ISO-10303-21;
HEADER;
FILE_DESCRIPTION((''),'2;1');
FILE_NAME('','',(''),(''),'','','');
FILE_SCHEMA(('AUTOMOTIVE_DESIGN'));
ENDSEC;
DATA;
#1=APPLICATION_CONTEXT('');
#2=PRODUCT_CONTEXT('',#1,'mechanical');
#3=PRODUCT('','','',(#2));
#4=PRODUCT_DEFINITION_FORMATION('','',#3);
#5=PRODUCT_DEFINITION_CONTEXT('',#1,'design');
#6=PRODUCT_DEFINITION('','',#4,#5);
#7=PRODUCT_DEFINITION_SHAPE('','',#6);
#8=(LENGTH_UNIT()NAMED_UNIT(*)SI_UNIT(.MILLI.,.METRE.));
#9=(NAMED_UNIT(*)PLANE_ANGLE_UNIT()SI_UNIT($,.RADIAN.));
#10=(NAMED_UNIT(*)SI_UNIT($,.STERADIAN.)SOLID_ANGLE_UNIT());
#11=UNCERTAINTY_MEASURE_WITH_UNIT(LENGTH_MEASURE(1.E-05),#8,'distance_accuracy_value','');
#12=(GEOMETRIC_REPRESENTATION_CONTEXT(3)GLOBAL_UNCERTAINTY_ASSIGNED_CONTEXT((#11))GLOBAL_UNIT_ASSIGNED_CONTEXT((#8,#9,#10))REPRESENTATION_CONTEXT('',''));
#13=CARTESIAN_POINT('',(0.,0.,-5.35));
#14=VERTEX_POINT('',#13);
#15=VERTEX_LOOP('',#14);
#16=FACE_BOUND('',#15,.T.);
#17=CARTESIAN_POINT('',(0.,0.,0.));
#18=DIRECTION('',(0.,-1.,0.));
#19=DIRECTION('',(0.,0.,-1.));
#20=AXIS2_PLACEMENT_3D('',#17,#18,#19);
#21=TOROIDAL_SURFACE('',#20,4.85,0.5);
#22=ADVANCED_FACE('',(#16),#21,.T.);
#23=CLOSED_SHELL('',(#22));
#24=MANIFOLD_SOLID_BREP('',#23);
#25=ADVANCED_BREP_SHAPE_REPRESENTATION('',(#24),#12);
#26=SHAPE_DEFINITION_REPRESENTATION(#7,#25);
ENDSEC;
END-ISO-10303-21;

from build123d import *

# Parameters (mm, degrees)
SKETCH1_R = 0.5


with BuildPart() as part:
    # Sketch1 → Revolve1 (revolve)
    with BuildSketch(Plane.XY, mode=Mode.PRIVATE) as revolve1_sk:
        with Locations((-4.85, 0)):
            Circle(SKETCH1_R)
    revolve(revolve1_sk.sketch.rotate(Axis((0, 0, 0), (0, 1, 0)), 270), axis=Axis((0, 0, 0), (0, 1, 0)))


solid = part.part
